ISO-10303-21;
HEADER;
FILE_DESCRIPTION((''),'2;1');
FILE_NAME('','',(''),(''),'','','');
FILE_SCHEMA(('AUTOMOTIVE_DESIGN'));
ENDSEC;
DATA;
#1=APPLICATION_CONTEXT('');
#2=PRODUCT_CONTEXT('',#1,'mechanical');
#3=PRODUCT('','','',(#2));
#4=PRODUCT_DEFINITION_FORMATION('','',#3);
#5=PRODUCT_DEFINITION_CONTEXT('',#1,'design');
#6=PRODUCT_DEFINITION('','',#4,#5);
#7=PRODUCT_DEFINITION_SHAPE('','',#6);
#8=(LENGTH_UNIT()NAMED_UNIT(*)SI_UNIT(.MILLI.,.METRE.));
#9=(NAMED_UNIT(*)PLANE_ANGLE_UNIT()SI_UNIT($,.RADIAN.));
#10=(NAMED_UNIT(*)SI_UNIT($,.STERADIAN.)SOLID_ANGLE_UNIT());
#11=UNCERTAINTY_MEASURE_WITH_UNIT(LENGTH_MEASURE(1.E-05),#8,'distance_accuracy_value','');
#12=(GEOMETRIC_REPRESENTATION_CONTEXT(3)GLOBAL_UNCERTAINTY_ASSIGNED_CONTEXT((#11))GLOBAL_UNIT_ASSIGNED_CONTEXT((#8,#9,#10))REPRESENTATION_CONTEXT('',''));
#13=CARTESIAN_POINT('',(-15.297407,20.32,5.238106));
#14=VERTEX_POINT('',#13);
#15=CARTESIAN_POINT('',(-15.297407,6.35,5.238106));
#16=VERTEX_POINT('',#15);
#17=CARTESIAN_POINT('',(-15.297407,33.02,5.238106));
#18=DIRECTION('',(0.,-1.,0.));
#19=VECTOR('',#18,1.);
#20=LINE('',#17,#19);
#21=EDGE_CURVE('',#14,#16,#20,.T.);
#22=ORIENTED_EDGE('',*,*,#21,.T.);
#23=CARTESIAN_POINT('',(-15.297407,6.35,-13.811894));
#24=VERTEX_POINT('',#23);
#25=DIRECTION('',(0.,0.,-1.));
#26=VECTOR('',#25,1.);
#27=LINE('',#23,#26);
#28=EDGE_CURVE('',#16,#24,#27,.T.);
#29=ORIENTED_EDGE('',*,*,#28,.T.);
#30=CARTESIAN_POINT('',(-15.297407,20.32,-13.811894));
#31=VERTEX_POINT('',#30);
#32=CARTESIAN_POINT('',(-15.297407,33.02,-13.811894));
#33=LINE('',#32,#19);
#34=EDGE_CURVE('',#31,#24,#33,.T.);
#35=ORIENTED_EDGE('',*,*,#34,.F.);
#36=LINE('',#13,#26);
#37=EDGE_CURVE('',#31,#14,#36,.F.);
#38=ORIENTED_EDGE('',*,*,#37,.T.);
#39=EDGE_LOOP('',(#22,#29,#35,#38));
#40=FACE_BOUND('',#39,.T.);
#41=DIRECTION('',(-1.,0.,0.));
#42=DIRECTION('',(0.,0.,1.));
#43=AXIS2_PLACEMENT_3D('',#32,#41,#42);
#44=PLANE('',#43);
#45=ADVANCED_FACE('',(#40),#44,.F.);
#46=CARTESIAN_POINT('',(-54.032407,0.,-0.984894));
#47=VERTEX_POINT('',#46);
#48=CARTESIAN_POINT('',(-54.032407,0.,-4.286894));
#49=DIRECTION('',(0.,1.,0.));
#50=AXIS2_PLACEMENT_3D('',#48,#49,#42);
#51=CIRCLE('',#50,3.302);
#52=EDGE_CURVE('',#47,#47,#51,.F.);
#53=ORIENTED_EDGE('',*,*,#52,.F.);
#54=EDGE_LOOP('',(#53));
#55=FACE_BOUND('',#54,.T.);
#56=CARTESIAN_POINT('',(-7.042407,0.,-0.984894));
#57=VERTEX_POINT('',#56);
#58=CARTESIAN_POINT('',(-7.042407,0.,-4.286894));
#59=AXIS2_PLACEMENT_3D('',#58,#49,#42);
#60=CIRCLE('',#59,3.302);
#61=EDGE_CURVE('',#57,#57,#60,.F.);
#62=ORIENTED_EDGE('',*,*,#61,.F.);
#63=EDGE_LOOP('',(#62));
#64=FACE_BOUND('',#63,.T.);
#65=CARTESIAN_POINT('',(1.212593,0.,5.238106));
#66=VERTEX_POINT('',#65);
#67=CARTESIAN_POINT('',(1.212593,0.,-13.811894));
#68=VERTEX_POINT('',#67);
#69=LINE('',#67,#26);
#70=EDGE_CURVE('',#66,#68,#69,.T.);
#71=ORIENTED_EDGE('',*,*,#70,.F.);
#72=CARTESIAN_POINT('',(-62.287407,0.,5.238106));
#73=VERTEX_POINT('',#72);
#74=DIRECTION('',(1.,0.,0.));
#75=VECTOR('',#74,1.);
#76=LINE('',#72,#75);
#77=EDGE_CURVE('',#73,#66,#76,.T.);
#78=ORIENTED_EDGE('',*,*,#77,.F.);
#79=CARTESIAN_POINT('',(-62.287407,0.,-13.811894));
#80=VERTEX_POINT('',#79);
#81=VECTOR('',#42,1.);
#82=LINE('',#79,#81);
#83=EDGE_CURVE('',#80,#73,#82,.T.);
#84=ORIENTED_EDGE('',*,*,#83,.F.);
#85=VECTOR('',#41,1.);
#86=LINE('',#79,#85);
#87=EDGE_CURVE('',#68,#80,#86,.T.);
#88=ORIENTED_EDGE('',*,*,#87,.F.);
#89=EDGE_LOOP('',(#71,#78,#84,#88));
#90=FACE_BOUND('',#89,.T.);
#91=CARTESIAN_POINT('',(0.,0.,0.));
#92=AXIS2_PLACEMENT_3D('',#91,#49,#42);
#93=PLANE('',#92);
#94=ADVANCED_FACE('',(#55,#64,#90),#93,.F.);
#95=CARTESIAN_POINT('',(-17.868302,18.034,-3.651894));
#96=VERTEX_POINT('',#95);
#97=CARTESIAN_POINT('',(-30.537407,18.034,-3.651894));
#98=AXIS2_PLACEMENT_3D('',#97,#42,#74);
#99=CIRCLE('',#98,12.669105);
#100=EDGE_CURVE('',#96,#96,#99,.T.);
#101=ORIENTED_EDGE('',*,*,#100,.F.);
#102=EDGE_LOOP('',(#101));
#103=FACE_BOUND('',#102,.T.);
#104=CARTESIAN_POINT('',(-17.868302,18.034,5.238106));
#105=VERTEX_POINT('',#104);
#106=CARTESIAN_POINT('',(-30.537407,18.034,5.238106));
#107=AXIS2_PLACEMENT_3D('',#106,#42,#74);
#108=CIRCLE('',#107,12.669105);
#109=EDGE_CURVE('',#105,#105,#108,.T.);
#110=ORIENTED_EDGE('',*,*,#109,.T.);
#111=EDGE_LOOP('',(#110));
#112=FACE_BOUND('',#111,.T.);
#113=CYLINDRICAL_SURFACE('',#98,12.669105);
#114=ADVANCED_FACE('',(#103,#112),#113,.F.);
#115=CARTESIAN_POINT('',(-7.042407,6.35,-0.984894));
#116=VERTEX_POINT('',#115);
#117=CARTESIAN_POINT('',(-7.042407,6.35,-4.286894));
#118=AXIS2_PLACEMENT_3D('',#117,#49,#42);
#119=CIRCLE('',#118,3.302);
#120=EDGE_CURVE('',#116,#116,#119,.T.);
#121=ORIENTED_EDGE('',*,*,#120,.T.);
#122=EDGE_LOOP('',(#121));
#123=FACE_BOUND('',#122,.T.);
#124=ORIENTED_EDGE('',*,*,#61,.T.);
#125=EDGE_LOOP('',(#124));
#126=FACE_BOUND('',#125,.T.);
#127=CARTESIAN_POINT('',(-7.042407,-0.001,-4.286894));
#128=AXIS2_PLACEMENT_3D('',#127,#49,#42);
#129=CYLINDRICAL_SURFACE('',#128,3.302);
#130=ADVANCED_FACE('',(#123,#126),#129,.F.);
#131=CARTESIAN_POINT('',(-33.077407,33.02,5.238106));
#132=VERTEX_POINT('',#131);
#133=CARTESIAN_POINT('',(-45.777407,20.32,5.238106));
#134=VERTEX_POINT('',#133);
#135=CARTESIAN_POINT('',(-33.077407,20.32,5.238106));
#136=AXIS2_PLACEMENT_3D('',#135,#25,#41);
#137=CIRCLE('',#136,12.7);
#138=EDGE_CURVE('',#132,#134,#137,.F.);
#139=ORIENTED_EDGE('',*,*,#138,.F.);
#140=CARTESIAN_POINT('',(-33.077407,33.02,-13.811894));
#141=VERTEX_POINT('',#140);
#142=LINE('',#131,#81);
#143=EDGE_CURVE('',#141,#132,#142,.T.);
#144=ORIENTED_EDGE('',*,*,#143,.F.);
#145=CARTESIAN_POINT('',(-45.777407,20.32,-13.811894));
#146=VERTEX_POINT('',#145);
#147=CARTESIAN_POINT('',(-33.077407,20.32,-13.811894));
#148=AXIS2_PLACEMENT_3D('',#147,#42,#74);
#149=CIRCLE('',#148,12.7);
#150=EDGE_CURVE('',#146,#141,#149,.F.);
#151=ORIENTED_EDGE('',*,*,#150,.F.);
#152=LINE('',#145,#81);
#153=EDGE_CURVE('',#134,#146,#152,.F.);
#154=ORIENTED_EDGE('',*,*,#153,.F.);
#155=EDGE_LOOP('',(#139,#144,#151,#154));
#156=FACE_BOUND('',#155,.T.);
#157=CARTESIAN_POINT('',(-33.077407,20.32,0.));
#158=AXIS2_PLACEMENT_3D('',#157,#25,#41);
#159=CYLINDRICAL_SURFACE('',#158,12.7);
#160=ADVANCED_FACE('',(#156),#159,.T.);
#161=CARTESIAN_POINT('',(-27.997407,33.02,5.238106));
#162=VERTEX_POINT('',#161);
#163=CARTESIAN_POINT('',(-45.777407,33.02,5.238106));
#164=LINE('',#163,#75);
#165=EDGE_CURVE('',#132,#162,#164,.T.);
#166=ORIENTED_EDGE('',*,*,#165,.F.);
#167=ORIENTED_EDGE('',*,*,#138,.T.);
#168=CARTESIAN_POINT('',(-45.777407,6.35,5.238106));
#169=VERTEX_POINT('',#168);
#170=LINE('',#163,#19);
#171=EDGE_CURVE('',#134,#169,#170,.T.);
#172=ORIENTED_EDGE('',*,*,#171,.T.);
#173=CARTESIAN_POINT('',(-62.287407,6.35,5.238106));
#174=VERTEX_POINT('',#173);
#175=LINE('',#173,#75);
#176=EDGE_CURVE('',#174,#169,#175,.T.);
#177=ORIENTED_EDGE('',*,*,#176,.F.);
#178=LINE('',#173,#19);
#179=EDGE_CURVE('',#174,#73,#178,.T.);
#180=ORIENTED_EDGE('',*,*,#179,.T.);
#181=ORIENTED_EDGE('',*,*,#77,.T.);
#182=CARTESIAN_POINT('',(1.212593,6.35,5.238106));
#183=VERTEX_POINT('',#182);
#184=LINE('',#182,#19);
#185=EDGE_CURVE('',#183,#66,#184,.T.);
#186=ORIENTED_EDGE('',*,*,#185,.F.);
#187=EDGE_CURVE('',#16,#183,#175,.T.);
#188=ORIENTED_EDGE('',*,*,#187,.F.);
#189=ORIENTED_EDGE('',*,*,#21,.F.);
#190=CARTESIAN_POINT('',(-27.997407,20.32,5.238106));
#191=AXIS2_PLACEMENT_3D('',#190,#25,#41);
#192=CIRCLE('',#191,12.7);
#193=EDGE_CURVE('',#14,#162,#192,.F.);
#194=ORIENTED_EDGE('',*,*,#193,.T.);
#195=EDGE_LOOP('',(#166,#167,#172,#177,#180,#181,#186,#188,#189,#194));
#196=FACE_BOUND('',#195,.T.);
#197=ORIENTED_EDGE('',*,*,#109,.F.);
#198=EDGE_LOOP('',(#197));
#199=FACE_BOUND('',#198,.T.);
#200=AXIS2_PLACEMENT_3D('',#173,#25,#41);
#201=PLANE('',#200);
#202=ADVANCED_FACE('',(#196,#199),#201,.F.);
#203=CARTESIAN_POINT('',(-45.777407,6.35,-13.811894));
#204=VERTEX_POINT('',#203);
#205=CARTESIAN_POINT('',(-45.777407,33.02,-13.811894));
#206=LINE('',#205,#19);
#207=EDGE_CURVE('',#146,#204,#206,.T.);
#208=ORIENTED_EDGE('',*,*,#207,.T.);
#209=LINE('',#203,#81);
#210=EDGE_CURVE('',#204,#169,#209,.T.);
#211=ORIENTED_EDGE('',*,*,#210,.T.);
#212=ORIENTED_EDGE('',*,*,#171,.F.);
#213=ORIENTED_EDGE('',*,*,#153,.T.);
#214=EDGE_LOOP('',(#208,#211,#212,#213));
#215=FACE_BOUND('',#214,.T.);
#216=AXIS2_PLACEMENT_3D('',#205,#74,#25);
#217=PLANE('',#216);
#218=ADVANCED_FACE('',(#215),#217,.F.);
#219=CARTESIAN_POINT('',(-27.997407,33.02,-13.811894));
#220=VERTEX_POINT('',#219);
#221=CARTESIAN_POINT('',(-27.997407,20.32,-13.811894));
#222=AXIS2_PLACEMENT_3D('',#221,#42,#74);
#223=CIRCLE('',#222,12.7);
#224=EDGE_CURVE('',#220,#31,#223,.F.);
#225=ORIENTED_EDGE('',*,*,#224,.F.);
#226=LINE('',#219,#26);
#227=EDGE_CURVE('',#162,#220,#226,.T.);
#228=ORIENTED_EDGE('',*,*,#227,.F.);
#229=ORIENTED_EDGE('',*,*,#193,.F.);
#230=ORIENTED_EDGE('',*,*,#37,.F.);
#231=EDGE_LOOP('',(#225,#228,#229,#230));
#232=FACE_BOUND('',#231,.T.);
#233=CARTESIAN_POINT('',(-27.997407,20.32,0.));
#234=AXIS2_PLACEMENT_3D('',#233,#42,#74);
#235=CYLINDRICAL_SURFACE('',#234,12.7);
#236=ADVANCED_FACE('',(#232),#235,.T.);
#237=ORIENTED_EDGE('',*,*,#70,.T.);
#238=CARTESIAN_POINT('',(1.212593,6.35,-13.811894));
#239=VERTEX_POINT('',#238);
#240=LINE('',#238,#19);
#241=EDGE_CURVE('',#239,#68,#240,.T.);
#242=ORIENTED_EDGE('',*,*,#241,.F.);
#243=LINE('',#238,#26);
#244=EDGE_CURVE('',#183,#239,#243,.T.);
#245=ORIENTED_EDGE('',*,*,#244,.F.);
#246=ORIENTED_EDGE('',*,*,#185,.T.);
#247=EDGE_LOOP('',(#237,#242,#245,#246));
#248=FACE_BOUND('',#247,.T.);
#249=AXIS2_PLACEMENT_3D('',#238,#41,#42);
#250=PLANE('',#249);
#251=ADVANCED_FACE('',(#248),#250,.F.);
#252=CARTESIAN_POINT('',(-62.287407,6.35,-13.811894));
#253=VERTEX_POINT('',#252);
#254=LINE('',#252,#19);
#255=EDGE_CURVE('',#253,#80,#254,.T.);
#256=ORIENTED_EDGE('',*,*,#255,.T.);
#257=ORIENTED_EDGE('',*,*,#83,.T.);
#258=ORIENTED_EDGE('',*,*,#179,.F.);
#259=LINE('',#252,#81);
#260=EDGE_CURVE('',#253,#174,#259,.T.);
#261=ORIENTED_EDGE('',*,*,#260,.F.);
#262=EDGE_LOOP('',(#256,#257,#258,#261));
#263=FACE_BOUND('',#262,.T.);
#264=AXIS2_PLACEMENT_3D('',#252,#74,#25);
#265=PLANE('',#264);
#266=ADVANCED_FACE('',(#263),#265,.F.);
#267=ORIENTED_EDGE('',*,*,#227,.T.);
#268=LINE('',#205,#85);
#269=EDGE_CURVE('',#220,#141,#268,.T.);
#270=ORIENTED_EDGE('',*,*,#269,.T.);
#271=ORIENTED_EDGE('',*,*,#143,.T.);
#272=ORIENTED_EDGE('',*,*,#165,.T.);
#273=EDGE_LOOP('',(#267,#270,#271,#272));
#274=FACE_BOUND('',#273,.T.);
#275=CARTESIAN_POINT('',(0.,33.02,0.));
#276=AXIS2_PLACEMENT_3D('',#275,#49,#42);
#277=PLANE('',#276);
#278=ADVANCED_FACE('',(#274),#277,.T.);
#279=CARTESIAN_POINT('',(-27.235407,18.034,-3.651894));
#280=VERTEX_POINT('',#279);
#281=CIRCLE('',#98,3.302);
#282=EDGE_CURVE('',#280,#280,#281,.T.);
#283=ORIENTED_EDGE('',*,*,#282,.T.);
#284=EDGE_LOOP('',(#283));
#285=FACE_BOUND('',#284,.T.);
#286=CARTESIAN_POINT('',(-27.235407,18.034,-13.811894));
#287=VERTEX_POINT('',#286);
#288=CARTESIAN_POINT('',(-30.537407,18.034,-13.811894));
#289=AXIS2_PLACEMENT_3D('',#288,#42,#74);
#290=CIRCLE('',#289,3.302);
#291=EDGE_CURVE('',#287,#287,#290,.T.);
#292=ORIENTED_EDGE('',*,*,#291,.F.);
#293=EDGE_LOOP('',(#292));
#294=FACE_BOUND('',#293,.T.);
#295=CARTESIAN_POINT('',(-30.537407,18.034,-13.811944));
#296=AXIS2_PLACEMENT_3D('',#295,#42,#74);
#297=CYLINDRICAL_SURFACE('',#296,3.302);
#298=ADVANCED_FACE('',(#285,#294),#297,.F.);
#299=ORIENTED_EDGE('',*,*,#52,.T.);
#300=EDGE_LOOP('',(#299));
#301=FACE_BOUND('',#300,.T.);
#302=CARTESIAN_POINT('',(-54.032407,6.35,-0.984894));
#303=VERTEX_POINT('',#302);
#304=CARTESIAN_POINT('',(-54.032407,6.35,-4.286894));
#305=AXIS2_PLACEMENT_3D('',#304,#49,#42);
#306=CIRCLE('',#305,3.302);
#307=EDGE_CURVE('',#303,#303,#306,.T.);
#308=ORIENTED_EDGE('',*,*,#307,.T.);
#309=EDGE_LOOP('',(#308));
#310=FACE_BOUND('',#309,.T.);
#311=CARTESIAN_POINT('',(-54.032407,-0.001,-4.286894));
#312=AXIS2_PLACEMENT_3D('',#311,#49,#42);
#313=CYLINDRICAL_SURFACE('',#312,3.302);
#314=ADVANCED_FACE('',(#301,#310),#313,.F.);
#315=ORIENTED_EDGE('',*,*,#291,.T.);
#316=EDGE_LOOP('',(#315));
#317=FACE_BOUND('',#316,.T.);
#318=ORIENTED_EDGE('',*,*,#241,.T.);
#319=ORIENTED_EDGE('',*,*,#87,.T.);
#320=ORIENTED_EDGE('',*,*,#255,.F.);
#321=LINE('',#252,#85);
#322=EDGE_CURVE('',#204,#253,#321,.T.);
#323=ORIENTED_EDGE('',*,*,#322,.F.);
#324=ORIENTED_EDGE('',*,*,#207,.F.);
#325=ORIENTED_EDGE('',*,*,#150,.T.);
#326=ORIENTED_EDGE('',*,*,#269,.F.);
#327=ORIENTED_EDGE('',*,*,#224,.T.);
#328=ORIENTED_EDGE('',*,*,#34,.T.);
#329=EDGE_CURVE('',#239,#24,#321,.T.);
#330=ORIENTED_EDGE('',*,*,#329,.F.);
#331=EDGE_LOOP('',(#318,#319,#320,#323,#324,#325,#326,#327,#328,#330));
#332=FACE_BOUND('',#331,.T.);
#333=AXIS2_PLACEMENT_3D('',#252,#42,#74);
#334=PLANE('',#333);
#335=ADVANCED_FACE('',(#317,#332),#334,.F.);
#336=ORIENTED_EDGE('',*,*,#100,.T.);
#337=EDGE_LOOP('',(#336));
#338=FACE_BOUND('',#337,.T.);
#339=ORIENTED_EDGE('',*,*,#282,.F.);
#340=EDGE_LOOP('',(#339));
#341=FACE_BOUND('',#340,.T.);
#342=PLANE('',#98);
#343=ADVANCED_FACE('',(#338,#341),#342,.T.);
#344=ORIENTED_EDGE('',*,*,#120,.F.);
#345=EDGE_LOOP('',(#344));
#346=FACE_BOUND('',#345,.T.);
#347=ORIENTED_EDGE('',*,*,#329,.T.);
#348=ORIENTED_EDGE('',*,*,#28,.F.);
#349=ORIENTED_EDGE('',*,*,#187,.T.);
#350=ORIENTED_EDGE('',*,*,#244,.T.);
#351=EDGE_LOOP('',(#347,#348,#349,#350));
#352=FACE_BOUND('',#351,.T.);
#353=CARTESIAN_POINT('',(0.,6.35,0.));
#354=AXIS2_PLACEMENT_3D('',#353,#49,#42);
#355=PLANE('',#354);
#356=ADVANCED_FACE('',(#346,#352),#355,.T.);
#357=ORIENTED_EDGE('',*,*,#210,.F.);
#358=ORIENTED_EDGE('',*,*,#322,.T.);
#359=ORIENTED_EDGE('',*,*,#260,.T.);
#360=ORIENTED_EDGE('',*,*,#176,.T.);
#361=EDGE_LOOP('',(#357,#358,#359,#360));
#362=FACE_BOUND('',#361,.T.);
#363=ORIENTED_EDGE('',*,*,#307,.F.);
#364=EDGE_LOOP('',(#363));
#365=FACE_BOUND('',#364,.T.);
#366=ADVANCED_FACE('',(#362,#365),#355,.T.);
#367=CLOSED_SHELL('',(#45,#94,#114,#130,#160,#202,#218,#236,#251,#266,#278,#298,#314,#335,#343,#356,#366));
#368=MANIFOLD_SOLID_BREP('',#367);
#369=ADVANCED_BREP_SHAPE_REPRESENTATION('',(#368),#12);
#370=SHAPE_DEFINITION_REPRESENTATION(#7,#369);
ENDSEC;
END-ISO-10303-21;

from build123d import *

# Parameters (mm, degrees)
SKETCH1_W           = 63.5
SKETCH1_H           = 19.05
BOSS_EXTRUDE1_DEPTH = 6.35
SKETCH2_W           = 30.48
SKETCH2_H           = 19.05
BOSS_EXTRUDE2_DEPTH = 26.67
CUT_EXTRUDE1_REACH  = 8.35
SKETCH3_R           = 3.302
SKETCH4_R           = 12.669104941
CUT_EXTRUDE2_DEPTH  = 8.89
SKETCH5_R           = 3.302
CUT_EXTRUDE3_DEPTH  = 20.05
FILLET1_R           = 12.7


with BuildPart() as part:
    # Sketch1 → Boss-Extrude1 (new body)
    with BuildSketch(Plane(origin=(0, 0, 0), x_dir=(1, 0, 0), z_dir=(0, 1, 0))):
        with Locations((-30.537406907, 4.286893637)):
            Rectangle(SKETCH1_W, SKETCH1_H)
    extrude(amount=BOSS_EXTRUDE1_DEPTH)

    # Sketch2 → Boss-Extrude2 (add)
    with BuildSketch(Plane(origin=(0, 6.35, 0), x_dir=(1, 0, 0), z_dir=(0, 1, 0))):
        with Locations((-30.537406907, 4.286893637)):
            Rectangle(SKETCH2_W, SKETCH2_H)
    extrude(amount=BOSS_EXTRUDE2_DEPTH)

    # Sketch3 → Cut-Extrude1 (cut, up to next)
    with BuildSketch(Plane(origin=(0, 6.35, 0), x_dir=(1, 0, 0), z_dir=(0, 1, 0)), mode=Mode.PRIVATE) as cut_extrude1_sk1:
        with Locations((-54.032406907, 4.286893637)):
            Circle(SKETCH3_R)
    cut_extrude1_tool1 = extrude(cut_extrude1_sk1.sketch, amount=-CUT_EXTRUDE1_REACH, mode=Mode.PRIVATE) & part.part
    add(cut_extrude1_tool1.solids().sort_by_distance((-54.032407, 6.35, -4.286894))[0], mode=Mode.SUBTRACT)
    # Sketch3 → Cut-Extrude1 (cut, up to next)
    with BuildSketch(Plane(origin=(0, 6.35, 0), x_dir=(1, 0, 0), z_dir=(0, 1, 0)), mode=Mode.PRIVATE) as cut_extrude1_sk2:
        with Locations((-7.042406907, 4.286893637)):
            Circle(SKETCH3_R)
    cut_extrude1_tool2 = extrude(cut_extrude1_sk2.sketch, amount=-CUT_EXTRUDE1_REACH, mode=Mode.PRIVATE) & part.part
    add(cut_extrude1_tool2.solids().sort_by_distance((-7.042407, 6.35, -4.286894))[0], mode=Mode.SUBTRACT)

    # Sketch4 → Cut-Extrude2 (cut)
    with BuildSketch(Plane.XY.offset(5.238106363)):
        with Locations((-30.537406907, 18.034)):
            Circle(SKETCH4_R)
    extrude(amount=-CUT_EXTRUDE2_DEPTH, mode=Mode.SUBTRACT)

    # Sketch5 → Cut-Extrude3 (cut, through all)
    with BuildSketch(Plane.XY.offset(5.238106363)):
        with Locations((-30.537406907, 18.034)):
            Circle(SKETCH5_R)
    extrude(amount=-CUT_EXTRUDE3_DEPTH, mode=Mode.SUBTRACT)

    # Fillet1
    fillet1_edges = [part.edges().sort_by_distance(p)[0] for p in [
        (-45.777406907, 33.02, -4.286893637),
        (-15.297406907, 33.02, -4.286893637),
    ]]
    fillet(fillet1_edges, radius=FILLET1_R)


solid = part.part
